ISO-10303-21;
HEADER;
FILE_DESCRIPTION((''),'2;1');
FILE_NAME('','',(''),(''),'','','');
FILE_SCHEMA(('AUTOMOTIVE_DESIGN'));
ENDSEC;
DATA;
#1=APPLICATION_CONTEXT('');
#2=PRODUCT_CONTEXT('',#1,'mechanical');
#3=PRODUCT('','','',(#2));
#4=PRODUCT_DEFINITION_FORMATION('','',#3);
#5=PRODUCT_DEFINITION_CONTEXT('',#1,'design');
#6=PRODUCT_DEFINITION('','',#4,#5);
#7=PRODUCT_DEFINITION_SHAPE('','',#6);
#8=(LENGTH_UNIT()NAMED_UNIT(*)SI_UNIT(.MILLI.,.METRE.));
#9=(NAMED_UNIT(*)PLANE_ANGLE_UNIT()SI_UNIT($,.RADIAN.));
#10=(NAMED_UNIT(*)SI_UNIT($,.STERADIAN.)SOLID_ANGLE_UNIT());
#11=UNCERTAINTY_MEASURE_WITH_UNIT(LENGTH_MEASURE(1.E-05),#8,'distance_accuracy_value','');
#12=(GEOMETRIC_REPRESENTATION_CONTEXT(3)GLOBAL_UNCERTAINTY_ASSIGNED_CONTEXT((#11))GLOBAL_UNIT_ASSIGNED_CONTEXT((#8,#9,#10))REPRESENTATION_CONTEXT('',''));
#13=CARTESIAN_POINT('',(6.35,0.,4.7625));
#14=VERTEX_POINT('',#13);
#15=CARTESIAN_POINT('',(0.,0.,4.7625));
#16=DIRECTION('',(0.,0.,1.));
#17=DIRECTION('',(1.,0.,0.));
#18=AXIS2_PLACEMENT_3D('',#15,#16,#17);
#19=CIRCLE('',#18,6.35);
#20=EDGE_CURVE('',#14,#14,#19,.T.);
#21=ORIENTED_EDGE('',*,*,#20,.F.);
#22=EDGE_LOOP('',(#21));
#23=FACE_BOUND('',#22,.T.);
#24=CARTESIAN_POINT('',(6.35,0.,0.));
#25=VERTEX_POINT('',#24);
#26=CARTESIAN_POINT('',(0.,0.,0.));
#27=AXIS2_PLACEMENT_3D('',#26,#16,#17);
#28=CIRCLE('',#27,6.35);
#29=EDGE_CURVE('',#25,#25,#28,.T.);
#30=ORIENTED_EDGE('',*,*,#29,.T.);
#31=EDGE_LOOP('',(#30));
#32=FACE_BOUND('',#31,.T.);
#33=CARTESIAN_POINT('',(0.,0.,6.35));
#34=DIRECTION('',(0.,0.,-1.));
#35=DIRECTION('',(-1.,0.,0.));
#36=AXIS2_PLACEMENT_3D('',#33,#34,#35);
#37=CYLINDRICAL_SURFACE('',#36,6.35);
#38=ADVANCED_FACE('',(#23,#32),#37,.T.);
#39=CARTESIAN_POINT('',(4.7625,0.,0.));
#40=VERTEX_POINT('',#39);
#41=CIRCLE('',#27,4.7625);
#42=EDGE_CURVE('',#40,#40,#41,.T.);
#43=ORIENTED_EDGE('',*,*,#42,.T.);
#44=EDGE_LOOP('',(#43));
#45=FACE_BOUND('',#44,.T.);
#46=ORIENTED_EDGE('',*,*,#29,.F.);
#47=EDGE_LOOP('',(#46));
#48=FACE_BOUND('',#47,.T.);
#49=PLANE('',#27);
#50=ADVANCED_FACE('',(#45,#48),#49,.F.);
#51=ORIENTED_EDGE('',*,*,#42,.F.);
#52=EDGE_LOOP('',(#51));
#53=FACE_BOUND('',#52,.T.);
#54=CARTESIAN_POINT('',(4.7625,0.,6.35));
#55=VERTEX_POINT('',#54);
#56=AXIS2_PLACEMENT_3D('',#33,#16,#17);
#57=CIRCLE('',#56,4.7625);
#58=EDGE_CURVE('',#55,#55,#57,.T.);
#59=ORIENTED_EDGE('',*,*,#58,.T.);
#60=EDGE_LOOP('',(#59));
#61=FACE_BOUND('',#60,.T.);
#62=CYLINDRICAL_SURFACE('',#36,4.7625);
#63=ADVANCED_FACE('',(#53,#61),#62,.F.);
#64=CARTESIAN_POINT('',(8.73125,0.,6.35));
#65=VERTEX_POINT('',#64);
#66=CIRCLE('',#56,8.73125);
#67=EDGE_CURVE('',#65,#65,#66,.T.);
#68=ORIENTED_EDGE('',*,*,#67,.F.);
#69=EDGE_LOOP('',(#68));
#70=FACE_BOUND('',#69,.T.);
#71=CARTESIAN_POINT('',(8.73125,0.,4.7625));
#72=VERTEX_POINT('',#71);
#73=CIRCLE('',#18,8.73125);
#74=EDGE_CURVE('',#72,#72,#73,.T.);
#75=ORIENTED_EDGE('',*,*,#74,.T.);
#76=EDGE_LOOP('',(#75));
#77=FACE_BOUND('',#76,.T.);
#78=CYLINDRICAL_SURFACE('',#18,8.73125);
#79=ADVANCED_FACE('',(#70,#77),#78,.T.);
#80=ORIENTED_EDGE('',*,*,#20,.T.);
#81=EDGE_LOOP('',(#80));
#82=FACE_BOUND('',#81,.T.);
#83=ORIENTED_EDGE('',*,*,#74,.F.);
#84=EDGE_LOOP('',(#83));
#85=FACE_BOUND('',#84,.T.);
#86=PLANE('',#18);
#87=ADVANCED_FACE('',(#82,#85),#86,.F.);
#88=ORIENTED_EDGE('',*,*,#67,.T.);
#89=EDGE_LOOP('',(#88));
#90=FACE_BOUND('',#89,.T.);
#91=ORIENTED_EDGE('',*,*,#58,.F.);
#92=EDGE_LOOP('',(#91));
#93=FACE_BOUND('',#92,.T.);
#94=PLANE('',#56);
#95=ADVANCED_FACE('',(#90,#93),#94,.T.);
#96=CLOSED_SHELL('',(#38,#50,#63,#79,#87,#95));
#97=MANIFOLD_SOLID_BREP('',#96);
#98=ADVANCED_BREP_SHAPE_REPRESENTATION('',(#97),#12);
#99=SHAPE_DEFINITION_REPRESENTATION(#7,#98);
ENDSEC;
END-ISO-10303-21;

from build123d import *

# Parameters (mm, degrees)
SKETCH1_R           = 6.35
SKETCH1_R_2         = 4.7625
BOSS_EXTRUDE1_DEPTH = 6.35
SKETCH2_R           = 8.73125
SKETCH2_R_2         = 4.7625
BOSS_EXTRUDE2_DEPTH = 1.5875


with BuildPart() as part:
    # Sketch1 → Boss-Extrude1 (new body)
    with BuildSketch(Plane.XY):
        Circle(SKETCH1_R)
        Circle(SKETCH1_R_2, mode=Mode.SUBTRACT)
    extrude(amount=BOSS_EXTRUDE1_DEPTH)

    # Sketch2 → Boss-Extrude2 (add)
    with BuildSketch(Plane.XY.offset(6.35)):
        Circle(SKETCH2_R)
        Circle(SKETCH2_R_2, mode=Mode.SUBTRACT)
    extrude(amount=-BOSS_EXTRUDE2_DEPTH)


solid = part.part
